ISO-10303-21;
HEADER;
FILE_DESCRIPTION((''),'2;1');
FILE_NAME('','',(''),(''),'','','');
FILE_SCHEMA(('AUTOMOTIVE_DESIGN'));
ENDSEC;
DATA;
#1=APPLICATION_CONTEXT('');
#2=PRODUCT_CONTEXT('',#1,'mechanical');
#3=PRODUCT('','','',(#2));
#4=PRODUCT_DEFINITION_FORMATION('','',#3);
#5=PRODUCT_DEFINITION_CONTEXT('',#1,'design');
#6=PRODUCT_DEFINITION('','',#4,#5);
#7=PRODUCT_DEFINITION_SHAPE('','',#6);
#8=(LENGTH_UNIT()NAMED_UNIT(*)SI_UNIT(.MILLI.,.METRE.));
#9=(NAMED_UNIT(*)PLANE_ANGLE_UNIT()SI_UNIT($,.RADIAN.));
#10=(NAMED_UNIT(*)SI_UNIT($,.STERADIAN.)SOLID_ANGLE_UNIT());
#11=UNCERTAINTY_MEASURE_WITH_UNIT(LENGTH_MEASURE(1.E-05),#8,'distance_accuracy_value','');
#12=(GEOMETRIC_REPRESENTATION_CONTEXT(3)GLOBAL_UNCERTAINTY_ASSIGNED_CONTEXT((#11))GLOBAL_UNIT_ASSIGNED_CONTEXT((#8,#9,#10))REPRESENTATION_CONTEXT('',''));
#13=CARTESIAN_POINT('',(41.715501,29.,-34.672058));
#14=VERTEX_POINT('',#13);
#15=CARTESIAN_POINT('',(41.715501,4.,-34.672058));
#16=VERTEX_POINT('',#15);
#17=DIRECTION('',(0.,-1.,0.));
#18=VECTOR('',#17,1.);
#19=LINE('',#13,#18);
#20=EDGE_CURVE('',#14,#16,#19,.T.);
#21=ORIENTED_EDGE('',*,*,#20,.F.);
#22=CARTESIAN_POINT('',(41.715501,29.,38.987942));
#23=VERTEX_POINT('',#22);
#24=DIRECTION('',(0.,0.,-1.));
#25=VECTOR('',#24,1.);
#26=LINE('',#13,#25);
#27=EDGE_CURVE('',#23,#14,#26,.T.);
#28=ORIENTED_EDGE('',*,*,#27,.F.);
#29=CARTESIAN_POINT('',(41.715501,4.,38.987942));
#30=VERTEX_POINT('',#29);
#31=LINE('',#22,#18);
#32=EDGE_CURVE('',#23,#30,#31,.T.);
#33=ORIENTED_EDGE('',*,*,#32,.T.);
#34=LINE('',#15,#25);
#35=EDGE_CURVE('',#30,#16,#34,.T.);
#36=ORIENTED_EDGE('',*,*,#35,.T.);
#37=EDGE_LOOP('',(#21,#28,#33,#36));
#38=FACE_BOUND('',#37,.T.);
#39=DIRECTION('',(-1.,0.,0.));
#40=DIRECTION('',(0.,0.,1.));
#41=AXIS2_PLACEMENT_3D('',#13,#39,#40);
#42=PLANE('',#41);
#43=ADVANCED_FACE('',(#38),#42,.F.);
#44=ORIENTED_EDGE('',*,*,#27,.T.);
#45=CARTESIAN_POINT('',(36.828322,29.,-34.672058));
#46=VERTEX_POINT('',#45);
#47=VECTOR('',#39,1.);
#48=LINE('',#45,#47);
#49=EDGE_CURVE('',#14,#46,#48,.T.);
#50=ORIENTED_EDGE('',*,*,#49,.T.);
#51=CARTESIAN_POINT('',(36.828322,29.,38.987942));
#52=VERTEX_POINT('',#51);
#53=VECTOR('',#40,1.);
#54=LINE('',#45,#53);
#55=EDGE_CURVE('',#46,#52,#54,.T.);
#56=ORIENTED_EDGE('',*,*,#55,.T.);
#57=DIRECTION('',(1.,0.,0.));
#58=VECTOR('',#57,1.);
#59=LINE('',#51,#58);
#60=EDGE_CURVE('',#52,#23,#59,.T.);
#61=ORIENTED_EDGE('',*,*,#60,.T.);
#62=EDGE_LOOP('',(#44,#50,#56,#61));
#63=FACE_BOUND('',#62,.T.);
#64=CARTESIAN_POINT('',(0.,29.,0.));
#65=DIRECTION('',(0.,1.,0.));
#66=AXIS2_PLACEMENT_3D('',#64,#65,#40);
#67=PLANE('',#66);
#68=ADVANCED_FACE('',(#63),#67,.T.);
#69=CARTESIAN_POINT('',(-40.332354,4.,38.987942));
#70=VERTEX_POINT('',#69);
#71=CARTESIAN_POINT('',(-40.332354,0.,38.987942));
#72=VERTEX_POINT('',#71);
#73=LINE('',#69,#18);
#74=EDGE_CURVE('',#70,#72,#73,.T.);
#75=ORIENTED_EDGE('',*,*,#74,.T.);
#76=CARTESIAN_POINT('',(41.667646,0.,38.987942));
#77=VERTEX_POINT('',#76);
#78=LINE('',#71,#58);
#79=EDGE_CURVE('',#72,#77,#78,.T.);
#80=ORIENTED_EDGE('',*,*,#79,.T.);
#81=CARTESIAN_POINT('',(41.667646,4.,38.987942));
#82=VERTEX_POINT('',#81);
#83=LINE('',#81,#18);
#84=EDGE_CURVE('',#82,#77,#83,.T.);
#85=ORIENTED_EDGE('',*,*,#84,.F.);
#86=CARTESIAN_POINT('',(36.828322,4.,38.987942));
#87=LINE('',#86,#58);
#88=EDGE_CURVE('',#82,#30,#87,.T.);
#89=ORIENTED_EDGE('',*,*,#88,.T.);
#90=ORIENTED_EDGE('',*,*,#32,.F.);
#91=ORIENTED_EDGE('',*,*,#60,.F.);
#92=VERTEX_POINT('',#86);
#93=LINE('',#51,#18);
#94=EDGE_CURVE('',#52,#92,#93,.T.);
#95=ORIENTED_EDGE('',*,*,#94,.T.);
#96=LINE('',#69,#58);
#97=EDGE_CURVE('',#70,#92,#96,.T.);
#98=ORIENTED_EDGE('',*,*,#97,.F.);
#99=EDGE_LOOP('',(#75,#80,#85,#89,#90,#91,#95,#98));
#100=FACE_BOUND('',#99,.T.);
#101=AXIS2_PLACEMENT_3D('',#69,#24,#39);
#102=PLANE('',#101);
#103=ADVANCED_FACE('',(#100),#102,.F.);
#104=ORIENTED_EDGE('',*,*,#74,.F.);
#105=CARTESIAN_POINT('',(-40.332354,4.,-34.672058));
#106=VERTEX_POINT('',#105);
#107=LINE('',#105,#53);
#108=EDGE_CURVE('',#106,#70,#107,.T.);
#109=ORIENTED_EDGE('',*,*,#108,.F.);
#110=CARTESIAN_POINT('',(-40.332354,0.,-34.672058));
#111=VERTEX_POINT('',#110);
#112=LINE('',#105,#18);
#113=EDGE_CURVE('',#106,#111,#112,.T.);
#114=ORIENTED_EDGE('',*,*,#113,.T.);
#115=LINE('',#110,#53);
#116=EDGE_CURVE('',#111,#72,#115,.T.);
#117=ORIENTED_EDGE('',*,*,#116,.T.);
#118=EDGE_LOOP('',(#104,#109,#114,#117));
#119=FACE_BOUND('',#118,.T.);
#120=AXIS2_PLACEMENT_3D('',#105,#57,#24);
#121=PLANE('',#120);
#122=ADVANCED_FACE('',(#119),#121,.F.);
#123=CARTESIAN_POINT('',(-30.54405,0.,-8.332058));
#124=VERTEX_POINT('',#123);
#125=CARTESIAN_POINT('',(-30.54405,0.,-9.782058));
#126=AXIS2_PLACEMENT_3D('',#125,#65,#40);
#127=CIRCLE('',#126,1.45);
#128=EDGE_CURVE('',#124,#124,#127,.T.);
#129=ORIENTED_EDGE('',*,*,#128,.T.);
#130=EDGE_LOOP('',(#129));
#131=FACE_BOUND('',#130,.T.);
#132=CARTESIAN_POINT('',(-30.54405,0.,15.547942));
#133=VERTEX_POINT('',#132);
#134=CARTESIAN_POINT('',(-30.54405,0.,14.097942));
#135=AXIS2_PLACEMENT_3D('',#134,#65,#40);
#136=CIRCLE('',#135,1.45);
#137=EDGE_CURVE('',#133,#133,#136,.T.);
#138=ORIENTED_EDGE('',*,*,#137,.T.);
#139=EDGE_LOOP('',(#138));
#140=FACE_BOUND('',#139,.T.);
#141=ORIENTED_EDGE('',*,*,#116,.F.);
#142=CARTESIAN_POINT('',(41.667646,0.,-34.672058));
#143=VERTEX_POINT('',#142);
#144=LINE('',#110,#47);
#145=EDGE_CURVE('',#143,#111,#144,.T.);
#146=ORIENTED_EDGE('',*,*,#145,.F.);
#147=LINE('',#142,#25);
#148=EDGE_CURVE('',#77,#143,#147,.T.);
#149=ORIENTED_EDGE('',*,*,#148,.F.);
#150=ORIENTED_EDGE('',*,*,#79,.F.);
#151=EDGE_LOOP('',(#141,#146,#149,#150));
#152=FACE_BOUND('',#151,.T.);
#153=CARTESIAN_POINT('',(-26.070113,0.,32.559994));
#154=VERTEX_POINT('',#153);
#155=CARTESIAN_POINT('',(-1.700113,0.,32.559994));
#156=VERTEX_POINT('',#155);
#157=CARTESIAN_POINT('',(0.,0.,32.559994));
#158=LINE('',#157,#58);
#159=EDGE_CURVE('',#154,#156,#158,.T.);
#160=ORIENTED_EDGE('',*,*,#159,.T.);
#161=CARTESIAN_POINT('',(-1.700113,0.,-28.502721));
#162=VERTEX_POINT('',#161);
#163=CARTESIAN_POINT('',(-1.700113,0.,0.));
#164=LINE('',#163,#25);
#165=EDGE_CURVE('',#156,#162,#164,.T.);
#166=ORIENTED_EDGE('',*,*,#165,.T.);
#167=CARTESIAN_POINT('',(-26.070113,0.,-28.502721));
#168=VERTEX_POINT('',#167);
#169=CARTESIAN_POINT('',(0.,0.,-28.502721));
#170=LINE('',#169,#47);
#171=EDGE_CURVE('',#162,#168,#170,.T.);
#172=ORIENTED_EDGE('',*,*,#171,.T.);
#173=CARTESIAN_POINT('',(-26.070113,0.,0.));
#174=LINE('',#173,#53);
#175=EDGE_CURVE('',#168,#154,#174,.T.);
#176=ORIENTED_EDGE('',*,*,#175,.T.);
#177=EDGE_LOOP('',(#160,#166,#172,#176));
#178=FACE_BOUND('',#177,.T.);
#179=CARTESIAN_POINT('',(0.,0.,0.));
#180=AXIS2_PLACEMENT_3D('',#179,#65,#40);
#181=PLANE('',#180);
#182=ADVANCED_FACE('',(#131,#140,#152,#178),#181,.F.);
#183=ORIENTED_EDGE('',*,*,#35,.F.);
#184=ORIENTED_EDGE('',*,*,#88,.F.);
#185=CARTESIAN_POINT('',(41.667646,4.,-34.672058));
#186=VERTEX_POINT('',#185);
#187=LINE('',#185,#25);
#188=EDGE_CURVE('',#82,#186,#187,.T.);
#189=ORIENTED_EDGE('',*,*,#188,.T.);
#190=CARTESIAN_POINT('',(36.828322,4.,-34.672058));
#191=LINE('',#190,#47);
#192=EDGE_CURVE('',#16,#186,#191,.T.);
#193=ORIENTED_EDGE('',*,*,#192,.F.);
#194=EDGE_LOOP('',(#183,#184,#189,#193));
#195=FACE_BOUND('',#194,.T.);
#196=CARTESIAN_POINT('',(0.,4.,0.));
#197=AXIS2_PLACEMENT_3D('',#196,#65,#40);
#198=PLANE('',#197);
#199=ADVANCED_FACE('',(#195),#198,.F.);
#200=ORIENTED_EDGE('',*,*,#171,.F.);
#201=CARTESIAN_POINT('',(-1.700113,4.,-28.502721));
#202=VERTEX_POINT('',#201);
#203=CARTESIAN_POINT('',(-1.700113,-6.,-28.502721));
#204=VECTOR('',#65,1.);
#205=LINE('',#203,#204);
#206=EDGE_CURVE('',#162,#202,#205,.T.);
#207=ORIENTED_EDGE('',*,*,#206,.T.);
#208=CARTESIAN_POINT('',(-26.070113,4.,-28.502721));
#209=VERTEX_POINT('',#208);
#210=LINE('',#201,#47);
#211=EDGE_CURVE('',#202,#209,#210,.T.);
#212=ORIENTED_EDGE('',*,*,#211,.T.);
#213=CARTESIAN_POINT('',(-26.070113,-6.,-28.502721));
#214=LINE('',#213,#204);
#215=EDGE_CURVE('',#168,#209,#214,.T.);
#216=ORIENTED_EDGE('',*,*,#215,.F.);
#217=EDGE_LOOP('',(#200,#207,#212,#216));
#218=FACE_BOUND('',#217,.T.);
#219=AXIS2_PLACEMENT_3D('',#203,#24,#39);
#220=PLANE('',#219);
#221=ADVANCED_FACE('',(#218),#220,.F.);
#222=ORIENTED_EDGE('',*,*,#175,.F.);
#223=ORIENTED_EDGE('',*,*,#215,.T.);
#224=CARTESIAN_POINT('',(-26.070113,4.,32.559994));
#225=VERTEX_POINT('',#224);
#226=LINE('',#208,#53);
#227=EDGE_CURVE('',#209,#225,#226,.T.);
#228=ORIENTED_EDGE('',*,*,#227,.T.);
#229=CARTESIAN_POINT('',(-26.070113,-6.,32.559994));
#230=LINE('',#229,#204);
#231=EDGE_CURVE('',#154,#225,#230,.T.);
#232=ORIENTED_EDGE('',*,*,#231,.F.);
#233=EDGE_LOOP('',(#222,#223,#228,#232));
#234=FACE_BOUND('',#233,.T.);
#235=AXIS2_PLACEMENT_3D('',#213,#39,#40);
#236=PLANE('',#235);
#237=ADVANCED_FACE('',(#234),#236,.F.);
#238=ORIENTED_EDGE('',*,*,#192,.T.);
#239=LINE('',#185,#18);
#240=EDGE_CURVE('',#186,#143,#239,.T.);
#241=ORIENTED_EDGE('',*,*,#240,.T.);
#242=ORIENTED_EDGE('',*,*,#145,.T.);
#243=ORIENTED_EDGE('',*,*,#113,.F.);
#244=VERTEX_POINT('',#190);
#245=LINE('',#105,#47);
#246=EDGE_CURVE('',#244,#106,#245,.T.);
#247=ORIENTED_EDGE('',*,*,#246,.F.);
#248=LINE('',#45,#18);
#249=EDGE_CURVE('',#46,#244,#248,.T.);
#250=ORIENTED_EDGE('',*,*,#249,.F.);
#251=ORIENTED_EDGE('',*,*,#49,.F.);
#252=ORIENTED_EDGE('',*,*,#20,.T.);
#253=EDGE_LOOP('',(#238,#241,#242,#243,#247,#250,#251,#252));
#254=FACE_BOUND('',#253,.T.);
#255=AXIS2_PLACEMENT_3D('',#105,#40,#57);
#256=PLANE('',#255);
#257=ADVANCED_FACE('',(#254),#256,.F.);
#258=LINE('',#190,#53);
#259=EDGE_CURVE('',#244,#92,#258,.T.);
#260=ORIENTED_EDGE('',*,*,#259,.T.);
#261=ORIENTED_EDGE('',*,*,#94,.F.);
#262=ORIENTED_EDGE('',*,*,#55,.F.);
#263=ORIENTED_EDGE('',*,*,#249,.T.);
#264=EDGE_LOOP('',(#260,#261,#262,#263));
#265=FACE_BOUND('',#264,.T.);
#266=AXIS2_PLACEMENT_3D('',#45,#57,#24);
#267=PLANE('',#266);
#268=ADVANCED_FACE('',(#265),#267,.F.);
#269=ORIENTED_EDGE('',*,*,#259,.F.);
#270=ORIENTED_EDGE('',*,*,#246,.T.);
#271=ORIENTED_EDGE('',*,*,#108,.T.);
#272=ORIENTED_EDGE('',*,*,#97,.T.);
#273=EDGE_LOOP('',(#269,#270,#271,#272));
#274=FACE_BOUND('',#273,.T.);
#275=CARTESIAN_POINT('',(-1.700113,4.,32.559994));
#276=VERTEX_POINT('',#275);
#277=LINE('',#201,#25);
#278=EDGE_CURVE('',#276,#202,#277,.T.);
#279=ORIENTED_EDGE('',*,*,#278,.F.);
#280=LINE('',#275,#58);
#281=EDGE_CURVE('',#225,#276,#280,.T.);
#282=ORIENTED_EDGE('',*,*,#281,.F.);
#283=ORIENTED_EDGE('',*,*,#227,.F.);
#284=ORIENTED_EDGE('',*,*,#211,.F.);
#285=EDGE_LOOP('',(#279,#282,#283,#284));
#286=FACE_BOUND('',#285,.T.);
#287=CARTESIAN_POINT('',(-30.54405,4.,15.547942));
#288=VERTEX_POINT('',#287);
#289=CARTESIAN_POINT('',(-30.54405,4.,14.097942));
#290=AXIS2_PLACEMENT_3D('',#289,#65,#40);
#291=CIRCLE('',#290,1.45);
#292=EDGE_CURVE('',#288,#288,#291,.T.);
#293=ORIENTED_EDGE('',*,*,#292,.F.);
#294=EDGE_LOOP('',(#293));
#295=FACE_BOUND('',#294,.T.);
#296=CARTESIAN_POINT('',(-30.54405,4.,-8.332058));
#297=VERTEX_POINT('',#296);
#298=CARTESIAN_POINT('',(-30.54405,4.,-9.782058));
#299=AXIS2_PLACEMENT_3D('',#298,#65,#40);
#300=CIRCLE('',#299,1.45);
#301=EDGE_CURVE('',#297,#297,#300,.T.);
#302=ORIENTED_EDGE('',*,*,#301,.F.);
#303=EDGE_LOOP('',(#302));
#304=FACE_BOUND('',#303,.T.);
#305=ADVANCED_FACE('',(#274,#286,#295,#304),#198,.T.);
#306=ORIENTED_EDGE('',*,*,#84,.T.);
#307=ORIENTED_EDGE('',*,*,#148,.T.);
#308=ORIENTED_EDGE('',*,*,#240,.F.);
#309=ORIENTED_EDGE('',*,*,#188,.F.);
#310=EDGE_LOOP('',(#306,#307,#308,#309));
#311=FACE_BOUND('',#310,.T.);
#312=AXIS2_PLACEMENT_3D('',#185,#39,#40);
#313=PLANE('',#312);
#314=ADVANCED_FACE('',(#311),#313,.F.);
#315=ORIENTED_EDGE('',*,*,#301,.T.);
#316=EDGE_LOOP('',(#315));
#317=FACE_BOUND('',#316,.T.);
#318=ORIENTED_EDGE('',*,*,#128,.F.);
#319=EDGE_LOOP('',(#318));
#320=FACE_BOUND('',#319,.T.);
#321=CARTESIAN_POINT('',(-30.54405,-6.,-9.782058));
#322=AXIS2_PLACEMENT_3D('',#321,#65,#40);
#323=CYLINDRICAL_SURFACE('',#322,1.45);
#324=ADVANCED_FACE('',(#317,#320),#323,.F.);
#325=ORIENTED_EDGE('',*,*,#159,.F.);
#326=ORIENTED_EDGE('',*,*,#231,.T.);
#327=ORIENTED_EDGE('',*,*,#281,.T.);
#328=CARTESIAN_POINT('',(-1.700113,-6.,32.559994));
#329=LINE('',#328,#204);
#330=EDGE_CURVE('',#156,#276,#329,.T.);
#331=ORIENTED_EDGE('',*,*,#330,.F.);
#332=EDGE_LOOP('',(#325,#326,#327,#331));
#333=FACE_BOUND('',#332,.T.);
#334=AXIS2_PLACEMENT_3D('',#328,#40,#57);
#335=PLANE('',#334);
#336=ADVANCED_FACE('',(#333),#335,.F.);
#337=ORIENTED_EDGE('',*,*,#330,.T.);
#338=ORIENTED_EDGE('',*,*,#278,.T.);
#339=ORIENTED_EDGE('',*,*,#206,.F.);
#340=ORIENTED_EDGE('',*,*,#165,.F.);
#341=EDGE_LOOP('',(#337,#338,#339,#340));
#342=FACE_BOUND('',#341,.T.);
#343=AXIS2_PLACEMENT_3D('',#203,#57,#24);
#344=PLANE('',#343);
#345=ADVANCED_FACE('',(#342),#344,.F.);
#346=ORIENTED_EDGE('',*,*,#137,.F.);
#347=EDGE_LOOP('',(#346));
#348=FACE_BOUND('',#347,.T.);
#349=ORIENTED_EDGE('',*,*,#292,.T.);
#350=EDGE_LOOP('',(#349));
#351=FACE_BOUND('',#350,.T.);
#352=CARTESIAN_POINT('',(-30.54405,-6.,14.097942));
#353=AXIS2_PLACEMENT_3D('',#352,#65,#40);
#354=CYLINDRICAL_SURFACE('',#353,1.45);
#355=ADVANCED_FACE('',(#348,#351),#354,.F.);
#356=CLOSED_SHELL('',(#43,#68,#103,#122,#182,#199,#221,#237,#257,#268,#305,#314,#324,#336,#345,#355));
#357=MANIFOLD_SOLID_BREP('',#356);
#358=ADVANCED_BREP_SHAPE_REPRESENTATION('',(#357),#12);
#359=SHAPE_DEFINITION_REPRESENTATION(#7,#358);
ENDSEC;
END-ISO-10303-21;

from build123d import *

# Parameters (mm, degrees)
SKETCH1_W           = 82
SKETCH1_H           = 73.66
BOSS_EXTRUDE1_DEPTH = 4
SKETCH2_W           = 4.88717895
SKETCH2_H           = 73.66
BOSS_EXTRUDE2_DEPTH = 25
SKETCH3_R           = 1.45
CUT_EXTRUDE1_DEPTH  = 10
SKETCH4_W           = 24.37
SKETCH4_H           = 61.062715067
CUT_EXTRUDE2_DEPTH  = 10


with BuildPart() as part:
    # Sketch1 → Boss-Extrude1 (new body)
    with BuildSketch(Plane(origin=(0, 0, 0), x_dir=(1, 0, 0), z_dir=(0, 1, 0))):
        with Locations((0.667646454, -2.157941762)):
            Rectangle(SKETCH1_W, SKETCH1_H)
    extrude(amount=BOSS_EXTRUDE1_DEPTH)

    # Sketch2 → Boss-Extrude2 (add)
    with BuildSketch(Plane(origin=(0, 4, 0), x_dir=(1, 0, 0), z_dir=(0, 1, 0))):
        with Locations((39.271911138, -2.157941762)):
            Rectangle(SKETCH2_W, SKETCH2_H)
    extrude(amount=BOSS_EXTRUDE2_DEPTH)

    # Sketch3 → Cut-Extrude1 (cut)
    with BuildSketch(Plane(origin=(0, 4, 0), x_dir=(1, 0, 0), z_dir=(0, 1, 0))):
        with Locations((-30.544050148, 9.782058238)):
            Circle(SKETCH3_R)
        with Locations((-30.544050148, -14.097941762)):
            Circle(SKETCH3_R)
    extrude(amount=-CUT_EXTRUDE1_DEPTH, mode=Mode.SUBTRACT)

    # Sketch4 → Cut-Extrude2 (cut)
    with BuildSketch(Plane(origin=(0, 4, 0), x_dir=(1, 0, 0), z_dir=(0, 1, 0))):
        with Locations((-13.885112628, -2.028636366)):
            Rectangle(SKETCH4_W, SKETCH4_H)
    extrude(amount=-CUT_EXTRUDE2_DEPTH, mode=Mode.SUBTRACT)


solid = part.part
